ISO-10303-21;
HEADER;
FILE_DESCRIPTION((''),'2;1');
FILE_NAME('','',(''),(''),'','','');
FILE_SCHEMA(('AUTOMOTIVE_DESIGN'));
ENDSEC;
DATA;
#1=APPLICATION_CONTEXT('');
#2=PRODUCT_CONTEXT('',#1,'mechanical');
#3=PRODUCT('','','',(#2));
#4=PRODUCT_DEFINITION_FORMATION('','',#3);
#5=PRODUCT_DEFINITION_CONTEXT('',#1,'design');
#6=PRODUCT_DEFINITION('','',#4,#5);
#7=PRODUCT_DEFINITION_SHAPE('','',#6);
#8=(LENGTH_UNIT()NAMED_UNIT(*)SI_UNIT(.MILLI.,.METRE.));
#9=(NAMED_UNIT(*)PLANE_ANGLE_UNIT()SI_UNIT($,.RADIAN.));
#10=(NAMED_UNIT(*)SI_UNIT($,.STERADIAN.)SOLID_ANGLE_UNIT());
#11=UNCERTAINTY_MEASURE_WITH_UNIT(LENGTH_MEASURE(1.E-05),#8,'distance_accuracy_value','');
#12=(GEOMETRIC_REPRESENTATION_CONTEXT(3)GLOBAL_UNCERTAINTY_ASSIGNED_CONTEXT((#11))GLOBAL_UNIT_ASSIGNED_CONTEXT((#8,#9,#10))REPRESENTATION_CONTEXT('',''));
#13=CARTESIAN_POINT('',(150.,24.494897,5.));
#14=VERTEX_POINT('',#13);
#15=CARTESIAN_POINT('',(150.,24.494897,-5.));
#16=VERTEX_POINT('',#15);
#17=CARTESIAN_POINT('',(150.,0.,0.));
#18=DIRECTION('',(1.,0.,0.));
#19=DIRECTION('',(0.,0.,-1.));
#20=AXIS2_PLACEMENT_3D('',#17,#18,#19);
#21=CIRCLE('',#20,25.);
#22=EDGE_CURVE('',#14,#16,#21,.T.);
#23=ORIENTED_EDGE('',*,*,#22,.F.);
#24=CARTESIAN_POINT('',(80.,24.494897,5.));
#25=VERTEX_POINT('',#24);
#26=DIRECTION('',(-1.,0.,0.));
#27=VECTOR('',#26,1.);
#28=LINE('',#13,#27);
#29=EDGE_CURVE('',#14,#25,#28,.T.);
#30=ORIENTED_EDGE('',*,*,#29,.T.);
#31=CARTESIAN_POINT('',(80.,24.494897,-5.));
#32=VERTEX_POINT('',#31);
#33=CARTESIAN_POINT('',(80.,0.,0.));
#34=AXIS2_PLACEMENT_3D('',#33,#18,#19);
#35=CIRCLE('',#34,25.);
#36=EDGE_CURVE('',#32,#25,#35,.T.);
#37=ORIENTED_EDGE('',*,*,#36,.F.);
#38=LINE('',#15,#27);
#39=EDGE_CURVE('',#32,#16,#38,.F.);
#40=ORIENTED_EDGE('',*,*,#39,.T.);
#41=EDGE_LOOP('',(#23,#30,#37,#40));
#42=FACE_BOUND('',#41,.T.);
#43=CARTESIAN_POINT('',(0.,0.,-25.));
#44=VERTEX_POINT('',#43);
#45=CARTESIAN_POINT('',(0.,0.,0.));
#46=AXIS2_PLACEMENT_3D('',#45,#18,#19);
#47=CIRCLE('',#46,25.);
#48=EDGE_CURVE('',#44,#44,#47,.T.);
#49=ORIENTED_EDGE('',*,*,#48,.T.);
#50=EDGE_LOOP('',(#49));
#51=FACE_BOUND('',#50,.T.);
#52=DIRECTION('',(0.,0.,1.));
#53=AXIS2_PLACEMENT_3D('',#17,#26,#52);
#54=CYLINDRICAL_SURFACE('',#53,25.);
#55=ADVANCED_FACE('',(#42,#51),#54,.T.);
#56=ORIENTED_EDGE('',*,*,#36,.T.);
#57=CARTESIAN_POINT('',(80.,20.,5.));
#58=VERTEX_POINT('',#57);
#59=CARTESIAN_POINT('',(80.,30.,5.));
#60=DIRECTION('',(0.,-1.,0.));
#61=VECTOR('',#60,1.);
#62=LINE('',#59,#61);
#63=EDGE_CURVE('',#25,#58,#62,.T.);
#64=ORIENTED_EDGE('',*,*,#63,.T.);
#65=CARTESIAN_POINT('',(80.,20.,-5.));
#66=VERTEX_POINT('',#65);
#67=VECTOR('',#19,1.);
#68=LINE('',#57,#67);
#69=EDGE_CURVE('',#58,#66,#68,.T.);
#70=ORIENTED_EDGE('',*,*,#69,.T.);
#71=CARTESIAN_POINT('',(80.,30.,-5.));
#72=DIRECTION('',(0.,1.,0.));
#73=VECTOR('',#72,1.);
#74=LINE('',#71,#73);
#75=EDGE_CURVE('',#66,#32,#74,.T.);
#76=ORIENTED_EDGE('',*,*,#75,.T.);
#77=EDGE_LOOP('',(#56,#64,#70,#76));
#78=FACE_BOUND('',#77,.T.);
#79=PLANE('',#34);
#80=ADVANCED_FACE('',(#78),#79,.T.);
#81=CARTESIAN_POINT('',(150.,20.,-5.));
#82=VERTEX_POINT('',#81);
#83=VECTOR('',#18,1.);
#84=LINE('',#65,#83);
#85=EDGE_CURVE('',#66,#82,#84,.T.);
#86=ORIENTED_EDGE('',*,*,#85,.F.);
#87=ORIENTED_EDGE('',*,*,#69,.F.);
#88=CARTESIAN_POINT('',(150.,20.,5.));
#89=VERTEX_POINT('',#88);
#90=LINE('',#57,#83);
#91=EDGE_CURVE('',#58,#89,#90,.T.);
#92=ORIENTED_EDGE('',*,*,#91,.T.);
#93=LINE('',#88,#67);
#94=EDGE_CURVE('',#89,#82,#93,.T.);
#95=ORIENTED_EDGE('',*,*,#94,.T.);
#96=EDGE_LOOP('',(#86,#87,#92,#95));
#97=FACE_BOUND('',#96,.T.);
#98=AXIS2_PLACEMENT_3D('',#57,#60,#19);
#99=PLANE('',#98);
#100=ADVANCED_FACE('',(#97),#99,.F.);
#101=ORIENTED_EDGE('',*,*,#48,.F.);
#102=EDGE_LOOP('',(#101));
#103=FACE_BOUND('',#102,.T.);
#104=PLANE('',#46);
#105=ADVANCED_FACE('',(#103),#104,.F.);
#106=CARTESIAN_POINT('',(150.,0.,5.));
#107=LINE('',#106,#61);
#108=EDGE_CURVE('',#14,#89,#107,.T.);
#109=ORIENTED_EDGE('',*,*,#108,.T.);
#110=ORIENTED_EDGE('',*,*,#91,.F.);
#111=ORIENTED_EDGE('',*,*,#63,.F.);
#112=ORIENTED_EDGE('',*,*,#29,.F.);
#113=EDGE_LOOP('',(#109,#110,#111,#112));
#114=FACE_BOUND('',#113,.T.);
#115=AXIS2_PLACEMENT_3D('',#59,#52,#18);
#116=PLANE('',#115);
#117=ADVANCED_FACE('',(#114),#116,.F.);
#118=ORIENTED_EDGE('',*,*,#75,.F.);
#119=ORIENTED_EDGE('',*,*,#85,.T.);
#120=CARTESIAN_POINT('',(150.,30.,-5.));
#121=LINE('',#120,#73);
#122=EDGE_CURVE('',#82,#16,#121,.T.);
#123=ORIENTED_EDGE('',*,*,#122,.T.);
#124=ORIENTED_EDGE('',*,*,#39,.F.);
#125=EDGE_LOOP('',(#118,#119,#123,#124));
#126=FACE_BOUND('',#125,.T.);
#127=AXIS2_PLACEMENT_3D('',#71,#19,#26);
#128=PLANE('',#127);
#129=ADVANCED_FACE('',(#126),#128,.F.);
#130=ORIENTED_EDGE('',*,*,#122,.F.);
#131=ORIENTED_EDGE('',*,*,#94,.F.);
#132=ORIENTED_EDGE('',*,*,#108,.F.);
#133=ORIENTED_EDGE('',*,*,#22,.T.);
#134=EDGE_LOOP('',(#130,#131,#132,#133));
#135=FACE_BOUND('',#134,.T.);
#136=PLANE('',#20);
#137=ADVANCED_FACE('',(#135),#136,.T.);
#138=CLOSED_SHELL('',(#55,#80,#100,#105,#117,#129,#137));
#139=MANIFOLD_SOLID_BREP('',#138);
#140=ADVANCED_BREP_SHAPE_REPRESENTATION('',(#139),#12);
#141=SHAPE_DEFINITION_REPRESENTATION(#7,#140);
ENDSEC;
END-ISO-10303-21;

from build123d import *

# Parameters (mm, degrees)
SKETCH1_R           = 25
BOSS_EXTRUDE1_DEPTH = 150
SKETCH2_W           = 10
SKETCH2_H           = 10
CUT_EXTRUDE1_DEPTH  = 70


with BuildPart() as part:
    # Sketch1 → Boss-Extrude1 (new body)
    with BuildSketch(Plane(origin=(0, 0, 0), x_dir=(0, 0, -1), z_dir=(1, 0, 0))):
        Circle(SKETCH1_R)
    extrude(amount=BOSS_EXTRUDE1_DEPTH)

    # Sketch2 → Cut-Extrude1 (cut)
    with BuildSketch(Plane(origin=(150, 0, 0), x_dir=(0, 0, -1), z_dir=(1, 0, 0))):
        with Locations((0, 25)):
            Rectangle(SKETCH2_W, SKETCH2_H)
    extrude(amount=-CUT_EXTRUDE1_DEPTH, mode=Mode.SUBTRACT)


solid = part.part
